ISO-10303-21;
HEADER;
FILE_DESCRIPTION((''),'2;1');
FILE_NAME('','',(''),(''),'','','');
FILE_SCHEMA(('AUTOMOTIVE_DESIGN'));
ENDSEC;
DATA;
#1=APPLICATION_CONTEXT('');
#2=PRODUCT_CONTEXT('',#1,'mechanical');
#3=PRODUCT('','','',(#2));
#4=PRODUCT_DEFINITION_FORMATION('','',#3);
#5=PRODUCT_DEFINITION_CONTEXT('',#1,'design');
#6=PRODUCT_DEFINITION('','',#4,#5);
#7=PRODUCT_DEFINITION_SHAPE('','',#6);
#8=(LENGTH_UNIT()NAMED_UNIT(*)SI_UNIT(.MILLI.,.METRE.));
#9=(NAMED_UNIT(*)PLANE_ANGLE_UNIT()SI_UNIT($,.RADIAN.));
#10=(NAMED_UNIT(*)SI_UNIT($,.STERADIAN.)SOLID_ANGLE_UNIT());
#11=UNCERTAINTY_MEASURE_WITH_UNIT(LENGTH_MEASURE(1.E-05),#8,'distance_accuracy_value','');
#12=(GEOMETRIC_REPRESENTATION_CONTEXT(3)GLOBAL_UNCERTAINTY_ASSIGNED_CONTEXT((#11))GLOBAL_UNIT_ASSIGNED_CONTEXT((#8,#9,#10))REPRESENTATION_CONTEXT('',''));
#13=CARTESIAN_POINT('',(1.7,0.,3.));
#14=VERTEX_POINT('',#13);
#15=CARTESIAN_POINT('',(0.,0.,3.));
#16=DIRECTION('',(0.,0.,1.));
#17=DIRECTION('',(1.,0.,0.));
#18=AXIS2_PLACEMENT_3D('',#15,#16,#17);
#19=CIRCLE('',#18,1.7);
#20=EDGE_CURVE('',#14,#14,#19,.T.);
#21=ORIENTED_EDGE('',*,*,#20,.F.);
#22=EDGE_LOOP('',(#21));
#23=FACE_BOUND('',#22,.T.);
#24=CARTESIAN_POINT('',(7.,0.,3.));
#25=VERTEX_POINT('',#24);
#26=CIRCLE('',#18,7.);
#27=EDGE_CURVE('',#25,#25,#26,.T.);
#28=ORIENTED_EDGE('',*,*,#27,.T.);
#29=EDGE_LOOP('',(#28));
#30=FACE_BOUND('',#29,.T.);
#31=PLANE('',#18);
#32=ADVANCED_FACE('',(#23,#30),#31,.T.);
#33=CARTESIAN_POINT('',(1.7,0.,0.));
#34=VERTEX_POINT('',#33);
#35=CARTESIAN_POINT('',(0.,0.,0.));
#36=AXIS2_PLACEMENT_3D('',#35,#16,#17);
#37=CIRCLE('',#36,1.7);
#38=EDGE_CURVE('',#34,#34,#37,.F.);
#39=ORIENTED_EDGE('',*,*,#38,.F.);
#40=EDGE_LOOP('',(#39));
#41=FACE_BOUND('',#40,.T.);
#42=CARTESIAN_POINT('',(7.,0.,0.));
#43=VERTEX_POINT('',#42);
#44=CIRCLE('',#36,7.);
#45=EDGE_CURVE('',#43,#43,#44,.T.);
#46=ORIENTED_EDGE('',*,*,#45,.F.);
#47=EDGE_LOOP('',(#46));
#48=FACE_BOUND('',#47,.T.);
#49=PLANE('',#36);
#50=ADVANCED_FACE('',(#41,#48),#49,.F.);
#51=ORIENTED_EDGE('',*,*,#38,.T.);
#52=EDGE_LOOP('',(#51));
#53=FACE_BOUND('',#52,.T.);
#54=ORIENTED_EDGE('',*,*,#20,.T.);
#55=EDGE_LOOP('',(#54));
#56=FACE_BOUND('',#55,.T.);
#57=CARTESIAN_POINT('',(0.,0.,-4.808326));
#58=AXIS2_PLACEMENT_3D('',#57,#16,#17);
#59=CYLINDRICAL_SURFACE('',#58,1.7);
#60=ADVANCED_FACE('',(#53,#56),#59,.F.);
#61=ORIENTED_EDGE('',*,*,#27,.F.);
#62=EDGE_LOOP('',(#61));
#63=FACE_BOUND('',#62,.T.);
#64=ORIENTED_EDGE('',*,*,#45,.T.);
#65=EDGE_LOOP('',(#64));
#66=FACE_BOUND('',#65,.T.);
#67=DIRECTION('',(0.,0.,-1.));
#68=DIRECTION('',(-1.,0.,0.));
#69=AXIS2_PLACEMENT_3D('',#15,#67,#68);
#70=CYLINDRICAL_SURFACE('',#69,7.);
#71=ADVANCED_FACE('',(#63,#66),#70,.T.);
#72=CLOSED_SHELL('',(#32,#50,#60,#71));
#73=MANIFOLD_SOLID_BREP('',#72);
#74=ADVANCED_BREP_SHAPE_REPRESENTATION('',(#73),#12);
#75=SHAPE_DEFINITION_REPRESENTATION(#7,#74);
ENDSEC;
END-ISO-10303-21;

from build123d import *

# Parameters (mm, degrees)
SKETCH1_R           = 7
BOSS_EXTRUDE1_DEPTH = 3
SKETCH2_R           = 1.7
CUT_EXTRUDE1_DEPTH  = 3


with BuildPart() as part:
    # Sketch1 → Boss-Extrude1 (new body)
    with BuildSketch(Plane.XY):
        Circle(SKETCH1_R)
    extrude(amount=BOSS_EXTRUDE1_DEPTH)

    # Sketch2 → Cut-Extrude1 (cut)
    with BuildSketch(Plane.XY.offset(3)):
        Circle(SKETCH2_R)
    extrude(amount=-CUT_EXTRUDE1_DEPTH, mode=Mode.SUBTRACT)


solid = part.part
